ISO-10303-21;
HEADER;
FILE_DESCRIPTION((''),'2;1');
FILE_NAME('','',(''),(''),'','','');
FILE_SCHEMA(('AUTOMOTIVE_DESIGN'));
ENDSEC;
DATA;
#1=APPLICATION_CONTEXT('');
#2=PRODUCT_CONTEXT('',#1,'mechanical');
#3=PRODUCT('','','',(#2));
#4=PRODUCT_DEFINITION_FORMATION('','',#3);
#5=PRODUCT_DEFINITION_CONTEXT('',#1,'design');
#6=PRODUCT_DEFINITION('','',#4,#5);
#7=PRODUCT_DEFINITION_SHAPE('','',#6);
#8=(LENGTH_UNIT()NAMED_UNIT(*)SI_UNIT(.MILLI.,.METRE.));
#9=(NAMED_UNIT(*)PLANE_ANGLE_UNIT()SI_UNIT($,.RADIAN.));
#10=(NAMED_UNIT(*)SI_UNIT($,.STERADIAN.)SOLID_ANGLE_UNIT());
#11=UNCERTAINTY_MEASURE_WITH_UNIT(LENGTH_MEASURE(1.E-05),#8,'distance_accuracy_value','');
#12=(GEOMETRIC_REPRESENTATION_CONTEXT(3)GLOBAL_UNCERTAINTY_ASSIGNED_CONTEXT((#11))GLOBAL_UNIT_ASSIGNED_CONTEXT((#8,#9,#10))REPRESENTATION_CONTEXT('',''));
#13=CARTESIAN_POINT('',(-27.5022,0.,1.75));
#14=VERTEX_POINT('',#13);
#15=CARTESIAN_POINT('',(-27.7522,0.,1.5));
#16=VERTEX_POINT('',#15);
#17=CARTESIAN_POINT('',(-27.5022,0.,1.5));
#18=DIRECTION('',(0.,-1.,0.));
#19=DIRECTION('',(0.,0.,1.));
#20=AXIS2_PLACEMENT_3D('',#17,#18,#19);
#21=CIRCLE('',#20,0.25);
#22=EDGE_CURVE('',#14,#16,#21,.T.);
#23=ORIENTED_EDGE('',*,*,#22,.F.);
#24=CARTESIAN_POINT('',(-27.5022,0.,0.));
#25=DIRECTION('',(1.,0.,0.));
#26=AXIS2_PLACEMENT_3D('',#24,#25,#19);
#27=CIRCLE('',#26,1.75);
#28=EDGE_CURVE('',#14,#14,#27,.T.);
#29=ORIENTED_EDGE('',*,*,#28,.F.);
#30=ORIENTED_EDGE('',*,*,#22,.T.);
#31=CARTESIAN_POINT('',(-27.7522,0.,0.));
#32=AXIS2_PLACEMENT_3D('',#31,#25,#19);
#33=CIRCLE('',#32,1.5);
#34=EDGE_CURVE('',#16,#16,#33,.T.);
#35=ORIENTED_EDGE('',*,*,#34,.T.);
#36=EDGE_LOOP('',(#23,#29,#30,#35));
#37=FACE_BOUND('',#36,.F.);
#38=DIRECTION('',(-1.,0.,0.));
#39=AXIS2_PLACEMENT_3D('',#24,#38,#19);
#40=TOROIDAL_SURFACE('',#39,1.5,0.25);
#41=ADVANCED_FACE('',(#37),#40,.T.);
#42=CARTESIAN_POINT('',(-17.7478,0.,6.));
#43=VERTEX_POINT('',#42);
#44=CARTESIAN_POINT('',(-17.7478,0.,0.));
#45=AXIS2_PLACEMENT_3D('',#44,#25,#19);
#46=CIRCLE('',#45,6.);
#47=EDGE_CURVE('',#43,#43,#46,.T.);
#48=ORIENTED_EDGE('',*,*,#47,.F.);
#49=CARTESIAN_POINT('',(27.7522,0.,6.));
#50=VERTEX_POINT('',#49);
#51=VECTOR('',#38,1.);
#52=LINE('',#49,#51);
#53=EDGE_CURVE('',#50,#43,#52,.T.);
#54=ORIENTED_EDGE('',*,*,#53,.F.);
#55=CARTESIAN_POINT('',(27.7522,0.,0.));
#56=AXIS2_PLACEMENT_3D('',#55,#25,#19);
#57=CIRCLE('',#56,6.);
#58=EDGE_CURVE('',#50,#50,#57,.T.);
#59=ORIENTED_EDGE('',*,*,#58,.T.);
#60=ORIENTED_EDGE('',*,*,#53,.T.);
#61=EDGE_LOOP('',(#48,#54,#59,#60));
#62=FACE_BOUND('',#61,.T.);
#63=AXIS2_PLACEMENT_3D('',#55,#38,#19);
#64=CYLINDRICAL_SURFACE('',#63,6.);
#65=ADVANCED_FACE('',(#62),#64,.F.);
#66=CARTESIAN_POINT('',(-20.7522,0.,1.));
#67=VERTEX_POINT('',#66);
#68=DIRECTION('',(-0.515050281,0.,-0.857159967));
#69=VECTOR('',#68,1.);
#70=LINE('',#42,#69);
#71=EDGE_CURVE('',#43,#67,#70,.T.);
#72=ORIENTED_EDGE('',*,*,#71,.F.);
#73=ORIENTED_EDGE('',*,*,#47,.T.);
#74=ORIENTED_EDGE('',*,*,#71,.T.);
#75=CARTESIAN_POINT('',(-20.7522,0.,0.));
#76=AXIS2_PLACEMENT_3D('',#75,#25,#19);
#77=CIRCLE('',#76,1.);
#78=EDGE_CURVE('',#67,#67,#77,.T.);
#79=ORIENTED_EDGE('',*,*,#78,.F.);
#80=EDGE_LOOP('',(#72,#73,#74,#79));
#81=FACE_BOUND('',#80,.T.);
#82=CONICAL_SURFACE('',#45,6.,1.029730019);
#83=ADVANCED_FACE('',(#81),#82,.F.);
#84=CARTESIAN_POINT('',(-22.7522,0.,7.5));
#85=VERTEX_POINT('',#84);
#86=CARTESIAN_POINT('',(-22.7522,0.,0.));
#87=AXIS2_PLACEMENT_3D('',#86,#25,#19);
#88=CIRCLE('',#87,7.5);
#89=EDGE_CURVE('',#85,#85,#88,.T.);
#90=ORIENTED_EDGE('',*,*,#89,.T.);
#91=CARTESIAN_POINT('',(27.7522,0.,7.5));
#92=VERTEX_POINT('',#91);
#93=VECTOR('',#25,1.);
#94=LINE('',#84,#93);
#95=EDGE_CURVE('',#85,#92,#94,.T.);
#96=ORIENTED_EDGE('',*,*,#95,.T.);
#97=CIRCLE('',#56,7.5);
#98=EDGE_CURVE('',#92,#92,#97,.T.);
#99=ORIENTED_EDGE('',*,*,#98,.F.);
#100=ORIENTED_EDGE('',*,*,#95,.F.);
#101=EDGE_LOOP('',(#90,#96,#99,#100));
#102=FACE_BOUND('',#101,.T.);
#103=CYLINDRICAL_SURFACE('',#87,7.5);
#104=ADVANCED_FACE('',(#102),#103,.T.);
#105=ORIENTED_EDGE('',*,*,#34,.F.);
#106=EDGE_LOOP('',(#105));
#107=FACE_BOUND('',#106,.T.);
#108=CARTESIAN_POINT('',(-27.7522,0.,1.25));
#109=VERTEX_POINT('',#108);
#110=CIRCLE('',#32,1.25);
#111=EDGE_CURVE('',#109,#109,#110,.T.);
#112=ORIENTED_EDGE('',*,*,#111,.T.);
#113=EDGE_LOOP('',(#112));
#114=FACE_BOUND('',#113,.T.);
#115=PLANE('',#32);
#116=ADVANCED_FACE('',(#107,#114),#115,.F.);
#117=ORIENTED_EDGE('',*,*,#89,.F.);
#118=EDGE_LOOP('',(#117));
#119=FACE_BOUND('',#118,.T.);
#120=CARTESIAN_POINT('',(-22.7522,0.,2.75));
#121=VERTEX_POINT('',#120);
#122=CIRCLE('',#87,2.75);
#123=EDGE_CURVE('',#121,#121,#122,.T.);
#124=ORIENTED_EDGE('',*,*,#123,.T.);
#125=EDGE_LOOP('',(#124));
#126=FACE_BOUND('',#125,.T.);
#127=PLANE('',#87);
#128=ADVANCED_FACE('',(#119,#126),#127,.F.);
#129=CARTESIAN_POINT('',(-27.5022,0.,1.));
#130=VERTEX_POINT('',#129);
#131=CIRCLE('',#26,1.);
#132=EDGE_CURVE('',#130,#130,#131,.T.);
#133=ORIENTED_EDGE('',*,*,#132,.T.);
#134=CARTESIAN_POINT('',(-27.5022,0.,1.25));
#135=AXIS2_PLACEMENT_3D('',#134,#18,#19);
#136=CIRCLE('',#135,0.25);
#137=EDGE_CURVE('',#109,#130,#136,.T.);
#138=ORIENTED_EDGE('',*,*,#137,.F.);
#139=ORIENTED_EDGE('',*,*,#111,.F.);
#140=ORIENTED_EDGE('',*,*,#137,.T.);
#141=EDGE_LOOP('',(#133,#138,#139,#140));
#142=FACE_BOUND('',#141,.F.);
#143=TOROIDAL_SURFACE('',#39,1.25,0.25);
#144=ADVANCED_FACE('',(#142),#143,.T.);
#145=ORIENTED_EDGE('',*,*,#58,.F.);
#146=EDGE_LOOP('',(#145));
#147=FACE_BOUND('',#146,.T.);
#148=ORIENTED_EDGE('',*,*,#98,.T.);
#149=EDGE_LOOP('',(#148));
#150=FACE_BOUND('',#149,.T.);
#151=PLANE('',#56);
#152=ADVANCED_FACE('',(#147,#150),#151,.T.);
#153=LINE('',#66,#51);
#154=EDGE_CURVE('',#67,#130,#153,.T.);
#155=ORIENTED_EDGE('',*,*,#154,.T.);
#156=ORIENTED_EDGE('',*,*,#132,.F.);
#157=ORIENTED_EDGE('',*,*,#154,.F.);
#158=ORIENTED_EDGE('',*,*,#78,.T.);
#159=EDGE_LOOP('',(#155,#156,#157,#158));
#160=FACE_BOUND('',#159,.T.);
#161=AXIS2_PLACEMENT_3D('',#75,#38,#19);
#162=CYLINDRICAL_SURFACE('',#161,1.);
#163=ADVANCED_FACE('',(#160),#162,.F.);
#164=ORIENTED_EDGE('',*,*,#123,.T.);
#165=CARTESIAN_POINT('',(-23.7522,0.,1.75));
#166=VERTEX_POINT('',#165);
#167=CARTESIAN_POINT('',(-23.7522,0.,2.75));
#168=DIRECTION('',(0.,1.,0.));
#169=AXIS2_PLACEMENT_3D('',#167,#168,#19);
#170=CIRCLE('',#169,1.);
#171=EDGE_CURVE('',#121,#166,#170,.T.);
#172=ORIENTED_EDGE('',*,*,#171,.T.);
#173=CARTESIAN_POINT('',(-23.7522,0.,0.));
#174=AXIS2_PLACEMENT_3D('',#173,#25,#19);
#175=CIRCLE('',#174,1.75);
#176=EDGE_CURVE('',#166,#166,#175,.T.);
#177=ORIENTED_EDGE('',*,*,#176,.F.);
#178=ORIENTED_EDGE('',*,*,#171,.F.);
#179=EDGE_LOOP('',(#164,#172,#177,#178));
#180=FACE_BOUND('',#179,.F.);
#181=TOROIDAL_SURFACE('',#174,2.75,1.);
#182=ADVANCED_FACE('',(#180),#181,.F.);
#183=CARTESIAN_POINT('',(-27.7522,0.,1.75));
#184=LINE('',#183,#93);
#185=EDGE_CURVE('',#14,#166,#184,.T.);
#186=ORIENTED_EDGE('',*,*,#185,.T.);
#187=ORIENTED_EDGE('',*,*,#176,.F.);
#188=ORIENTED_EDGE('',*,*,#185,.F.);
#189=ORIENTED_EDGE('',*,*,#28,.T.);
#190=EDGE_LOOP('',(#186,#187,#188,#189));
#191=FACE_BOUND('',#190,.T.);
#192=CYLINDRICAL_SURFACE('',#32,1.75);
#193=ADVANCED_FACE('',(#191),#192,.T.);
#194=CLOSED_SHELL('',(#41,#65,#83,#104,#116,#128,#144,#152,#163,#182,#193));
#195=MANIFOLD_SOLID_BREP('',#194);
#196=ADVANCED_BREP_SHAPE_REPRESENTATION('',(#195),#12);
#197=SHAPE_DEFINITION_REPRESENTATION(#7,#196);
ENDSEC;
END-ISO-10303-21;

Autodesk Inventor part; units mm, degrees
ref_plane "YZ Plane" through (0, 0, 0) normal (1, 0, 0) x (0, 1, 0)
ref_plane "XZ Plane" through (0, 0, 0) normal (0, 1, 0) x (-1, 0, 0)
ref_plane "XY Plane" through (0, 0, 0) normal (0, 0, 1) x (1, 0, 0)
sketch "Sketch1" plane through (0, 0, 0) normal (0, 1, 0) x (-1, 0, 0)
  line L0 (22.7522, 7.5) -> (-27.7522, 7.5)
  line L1 (-27.7522, 7.5) -> (-27.7522, 6)
  line L2 (-27.7522, 6) -> (17.7478, 6)
  line L3 (17.7478, 6) -> (20.7522, 1)
  line L4 (20.7522, 1) -> (27.7522, 1)
  line L5 (27.7522, 1) -> (27.7522, 1.75)
  line L6 (27.7522, 1.75) -> (22.7522, 1.75)
  line L7 (22.7522, 1.75) -> (22.7522, 7.5)
  line L8 (27.7522, 0) -> (-27.7522, 0)
  point P0 (0, 0)
  point P1 (0, 0)
  dimension "d0" = 2
  dimension "d1" = 3.5
  dimension "d2" = 5
  dimension "d3" = 59
  dimension "d5" = 1.5
  dimension "d6" = 2
  dimension "d13" = 12
  dimension "d14" = 45.5
revolve "Revolution1" add sketch "Sketch1" angle 360 about axis through (-27.7522, 0, 0) along (1, 0, 0)
fillet "Fillet1" radius 1 1 edges at (-22.7522, 0, -1.75)
fillet "Fillet1" radius 0.25 2 edges at (-27.7522, 0, -1.75) (-27.7522, 0, -1)
thread "Thread1" size "M12x0.5" class "6H" standard "ANSI Metric M Profile" length 3
properties part number "PayloadGermination_Syringe" material "Polycarbonate, Clear"
